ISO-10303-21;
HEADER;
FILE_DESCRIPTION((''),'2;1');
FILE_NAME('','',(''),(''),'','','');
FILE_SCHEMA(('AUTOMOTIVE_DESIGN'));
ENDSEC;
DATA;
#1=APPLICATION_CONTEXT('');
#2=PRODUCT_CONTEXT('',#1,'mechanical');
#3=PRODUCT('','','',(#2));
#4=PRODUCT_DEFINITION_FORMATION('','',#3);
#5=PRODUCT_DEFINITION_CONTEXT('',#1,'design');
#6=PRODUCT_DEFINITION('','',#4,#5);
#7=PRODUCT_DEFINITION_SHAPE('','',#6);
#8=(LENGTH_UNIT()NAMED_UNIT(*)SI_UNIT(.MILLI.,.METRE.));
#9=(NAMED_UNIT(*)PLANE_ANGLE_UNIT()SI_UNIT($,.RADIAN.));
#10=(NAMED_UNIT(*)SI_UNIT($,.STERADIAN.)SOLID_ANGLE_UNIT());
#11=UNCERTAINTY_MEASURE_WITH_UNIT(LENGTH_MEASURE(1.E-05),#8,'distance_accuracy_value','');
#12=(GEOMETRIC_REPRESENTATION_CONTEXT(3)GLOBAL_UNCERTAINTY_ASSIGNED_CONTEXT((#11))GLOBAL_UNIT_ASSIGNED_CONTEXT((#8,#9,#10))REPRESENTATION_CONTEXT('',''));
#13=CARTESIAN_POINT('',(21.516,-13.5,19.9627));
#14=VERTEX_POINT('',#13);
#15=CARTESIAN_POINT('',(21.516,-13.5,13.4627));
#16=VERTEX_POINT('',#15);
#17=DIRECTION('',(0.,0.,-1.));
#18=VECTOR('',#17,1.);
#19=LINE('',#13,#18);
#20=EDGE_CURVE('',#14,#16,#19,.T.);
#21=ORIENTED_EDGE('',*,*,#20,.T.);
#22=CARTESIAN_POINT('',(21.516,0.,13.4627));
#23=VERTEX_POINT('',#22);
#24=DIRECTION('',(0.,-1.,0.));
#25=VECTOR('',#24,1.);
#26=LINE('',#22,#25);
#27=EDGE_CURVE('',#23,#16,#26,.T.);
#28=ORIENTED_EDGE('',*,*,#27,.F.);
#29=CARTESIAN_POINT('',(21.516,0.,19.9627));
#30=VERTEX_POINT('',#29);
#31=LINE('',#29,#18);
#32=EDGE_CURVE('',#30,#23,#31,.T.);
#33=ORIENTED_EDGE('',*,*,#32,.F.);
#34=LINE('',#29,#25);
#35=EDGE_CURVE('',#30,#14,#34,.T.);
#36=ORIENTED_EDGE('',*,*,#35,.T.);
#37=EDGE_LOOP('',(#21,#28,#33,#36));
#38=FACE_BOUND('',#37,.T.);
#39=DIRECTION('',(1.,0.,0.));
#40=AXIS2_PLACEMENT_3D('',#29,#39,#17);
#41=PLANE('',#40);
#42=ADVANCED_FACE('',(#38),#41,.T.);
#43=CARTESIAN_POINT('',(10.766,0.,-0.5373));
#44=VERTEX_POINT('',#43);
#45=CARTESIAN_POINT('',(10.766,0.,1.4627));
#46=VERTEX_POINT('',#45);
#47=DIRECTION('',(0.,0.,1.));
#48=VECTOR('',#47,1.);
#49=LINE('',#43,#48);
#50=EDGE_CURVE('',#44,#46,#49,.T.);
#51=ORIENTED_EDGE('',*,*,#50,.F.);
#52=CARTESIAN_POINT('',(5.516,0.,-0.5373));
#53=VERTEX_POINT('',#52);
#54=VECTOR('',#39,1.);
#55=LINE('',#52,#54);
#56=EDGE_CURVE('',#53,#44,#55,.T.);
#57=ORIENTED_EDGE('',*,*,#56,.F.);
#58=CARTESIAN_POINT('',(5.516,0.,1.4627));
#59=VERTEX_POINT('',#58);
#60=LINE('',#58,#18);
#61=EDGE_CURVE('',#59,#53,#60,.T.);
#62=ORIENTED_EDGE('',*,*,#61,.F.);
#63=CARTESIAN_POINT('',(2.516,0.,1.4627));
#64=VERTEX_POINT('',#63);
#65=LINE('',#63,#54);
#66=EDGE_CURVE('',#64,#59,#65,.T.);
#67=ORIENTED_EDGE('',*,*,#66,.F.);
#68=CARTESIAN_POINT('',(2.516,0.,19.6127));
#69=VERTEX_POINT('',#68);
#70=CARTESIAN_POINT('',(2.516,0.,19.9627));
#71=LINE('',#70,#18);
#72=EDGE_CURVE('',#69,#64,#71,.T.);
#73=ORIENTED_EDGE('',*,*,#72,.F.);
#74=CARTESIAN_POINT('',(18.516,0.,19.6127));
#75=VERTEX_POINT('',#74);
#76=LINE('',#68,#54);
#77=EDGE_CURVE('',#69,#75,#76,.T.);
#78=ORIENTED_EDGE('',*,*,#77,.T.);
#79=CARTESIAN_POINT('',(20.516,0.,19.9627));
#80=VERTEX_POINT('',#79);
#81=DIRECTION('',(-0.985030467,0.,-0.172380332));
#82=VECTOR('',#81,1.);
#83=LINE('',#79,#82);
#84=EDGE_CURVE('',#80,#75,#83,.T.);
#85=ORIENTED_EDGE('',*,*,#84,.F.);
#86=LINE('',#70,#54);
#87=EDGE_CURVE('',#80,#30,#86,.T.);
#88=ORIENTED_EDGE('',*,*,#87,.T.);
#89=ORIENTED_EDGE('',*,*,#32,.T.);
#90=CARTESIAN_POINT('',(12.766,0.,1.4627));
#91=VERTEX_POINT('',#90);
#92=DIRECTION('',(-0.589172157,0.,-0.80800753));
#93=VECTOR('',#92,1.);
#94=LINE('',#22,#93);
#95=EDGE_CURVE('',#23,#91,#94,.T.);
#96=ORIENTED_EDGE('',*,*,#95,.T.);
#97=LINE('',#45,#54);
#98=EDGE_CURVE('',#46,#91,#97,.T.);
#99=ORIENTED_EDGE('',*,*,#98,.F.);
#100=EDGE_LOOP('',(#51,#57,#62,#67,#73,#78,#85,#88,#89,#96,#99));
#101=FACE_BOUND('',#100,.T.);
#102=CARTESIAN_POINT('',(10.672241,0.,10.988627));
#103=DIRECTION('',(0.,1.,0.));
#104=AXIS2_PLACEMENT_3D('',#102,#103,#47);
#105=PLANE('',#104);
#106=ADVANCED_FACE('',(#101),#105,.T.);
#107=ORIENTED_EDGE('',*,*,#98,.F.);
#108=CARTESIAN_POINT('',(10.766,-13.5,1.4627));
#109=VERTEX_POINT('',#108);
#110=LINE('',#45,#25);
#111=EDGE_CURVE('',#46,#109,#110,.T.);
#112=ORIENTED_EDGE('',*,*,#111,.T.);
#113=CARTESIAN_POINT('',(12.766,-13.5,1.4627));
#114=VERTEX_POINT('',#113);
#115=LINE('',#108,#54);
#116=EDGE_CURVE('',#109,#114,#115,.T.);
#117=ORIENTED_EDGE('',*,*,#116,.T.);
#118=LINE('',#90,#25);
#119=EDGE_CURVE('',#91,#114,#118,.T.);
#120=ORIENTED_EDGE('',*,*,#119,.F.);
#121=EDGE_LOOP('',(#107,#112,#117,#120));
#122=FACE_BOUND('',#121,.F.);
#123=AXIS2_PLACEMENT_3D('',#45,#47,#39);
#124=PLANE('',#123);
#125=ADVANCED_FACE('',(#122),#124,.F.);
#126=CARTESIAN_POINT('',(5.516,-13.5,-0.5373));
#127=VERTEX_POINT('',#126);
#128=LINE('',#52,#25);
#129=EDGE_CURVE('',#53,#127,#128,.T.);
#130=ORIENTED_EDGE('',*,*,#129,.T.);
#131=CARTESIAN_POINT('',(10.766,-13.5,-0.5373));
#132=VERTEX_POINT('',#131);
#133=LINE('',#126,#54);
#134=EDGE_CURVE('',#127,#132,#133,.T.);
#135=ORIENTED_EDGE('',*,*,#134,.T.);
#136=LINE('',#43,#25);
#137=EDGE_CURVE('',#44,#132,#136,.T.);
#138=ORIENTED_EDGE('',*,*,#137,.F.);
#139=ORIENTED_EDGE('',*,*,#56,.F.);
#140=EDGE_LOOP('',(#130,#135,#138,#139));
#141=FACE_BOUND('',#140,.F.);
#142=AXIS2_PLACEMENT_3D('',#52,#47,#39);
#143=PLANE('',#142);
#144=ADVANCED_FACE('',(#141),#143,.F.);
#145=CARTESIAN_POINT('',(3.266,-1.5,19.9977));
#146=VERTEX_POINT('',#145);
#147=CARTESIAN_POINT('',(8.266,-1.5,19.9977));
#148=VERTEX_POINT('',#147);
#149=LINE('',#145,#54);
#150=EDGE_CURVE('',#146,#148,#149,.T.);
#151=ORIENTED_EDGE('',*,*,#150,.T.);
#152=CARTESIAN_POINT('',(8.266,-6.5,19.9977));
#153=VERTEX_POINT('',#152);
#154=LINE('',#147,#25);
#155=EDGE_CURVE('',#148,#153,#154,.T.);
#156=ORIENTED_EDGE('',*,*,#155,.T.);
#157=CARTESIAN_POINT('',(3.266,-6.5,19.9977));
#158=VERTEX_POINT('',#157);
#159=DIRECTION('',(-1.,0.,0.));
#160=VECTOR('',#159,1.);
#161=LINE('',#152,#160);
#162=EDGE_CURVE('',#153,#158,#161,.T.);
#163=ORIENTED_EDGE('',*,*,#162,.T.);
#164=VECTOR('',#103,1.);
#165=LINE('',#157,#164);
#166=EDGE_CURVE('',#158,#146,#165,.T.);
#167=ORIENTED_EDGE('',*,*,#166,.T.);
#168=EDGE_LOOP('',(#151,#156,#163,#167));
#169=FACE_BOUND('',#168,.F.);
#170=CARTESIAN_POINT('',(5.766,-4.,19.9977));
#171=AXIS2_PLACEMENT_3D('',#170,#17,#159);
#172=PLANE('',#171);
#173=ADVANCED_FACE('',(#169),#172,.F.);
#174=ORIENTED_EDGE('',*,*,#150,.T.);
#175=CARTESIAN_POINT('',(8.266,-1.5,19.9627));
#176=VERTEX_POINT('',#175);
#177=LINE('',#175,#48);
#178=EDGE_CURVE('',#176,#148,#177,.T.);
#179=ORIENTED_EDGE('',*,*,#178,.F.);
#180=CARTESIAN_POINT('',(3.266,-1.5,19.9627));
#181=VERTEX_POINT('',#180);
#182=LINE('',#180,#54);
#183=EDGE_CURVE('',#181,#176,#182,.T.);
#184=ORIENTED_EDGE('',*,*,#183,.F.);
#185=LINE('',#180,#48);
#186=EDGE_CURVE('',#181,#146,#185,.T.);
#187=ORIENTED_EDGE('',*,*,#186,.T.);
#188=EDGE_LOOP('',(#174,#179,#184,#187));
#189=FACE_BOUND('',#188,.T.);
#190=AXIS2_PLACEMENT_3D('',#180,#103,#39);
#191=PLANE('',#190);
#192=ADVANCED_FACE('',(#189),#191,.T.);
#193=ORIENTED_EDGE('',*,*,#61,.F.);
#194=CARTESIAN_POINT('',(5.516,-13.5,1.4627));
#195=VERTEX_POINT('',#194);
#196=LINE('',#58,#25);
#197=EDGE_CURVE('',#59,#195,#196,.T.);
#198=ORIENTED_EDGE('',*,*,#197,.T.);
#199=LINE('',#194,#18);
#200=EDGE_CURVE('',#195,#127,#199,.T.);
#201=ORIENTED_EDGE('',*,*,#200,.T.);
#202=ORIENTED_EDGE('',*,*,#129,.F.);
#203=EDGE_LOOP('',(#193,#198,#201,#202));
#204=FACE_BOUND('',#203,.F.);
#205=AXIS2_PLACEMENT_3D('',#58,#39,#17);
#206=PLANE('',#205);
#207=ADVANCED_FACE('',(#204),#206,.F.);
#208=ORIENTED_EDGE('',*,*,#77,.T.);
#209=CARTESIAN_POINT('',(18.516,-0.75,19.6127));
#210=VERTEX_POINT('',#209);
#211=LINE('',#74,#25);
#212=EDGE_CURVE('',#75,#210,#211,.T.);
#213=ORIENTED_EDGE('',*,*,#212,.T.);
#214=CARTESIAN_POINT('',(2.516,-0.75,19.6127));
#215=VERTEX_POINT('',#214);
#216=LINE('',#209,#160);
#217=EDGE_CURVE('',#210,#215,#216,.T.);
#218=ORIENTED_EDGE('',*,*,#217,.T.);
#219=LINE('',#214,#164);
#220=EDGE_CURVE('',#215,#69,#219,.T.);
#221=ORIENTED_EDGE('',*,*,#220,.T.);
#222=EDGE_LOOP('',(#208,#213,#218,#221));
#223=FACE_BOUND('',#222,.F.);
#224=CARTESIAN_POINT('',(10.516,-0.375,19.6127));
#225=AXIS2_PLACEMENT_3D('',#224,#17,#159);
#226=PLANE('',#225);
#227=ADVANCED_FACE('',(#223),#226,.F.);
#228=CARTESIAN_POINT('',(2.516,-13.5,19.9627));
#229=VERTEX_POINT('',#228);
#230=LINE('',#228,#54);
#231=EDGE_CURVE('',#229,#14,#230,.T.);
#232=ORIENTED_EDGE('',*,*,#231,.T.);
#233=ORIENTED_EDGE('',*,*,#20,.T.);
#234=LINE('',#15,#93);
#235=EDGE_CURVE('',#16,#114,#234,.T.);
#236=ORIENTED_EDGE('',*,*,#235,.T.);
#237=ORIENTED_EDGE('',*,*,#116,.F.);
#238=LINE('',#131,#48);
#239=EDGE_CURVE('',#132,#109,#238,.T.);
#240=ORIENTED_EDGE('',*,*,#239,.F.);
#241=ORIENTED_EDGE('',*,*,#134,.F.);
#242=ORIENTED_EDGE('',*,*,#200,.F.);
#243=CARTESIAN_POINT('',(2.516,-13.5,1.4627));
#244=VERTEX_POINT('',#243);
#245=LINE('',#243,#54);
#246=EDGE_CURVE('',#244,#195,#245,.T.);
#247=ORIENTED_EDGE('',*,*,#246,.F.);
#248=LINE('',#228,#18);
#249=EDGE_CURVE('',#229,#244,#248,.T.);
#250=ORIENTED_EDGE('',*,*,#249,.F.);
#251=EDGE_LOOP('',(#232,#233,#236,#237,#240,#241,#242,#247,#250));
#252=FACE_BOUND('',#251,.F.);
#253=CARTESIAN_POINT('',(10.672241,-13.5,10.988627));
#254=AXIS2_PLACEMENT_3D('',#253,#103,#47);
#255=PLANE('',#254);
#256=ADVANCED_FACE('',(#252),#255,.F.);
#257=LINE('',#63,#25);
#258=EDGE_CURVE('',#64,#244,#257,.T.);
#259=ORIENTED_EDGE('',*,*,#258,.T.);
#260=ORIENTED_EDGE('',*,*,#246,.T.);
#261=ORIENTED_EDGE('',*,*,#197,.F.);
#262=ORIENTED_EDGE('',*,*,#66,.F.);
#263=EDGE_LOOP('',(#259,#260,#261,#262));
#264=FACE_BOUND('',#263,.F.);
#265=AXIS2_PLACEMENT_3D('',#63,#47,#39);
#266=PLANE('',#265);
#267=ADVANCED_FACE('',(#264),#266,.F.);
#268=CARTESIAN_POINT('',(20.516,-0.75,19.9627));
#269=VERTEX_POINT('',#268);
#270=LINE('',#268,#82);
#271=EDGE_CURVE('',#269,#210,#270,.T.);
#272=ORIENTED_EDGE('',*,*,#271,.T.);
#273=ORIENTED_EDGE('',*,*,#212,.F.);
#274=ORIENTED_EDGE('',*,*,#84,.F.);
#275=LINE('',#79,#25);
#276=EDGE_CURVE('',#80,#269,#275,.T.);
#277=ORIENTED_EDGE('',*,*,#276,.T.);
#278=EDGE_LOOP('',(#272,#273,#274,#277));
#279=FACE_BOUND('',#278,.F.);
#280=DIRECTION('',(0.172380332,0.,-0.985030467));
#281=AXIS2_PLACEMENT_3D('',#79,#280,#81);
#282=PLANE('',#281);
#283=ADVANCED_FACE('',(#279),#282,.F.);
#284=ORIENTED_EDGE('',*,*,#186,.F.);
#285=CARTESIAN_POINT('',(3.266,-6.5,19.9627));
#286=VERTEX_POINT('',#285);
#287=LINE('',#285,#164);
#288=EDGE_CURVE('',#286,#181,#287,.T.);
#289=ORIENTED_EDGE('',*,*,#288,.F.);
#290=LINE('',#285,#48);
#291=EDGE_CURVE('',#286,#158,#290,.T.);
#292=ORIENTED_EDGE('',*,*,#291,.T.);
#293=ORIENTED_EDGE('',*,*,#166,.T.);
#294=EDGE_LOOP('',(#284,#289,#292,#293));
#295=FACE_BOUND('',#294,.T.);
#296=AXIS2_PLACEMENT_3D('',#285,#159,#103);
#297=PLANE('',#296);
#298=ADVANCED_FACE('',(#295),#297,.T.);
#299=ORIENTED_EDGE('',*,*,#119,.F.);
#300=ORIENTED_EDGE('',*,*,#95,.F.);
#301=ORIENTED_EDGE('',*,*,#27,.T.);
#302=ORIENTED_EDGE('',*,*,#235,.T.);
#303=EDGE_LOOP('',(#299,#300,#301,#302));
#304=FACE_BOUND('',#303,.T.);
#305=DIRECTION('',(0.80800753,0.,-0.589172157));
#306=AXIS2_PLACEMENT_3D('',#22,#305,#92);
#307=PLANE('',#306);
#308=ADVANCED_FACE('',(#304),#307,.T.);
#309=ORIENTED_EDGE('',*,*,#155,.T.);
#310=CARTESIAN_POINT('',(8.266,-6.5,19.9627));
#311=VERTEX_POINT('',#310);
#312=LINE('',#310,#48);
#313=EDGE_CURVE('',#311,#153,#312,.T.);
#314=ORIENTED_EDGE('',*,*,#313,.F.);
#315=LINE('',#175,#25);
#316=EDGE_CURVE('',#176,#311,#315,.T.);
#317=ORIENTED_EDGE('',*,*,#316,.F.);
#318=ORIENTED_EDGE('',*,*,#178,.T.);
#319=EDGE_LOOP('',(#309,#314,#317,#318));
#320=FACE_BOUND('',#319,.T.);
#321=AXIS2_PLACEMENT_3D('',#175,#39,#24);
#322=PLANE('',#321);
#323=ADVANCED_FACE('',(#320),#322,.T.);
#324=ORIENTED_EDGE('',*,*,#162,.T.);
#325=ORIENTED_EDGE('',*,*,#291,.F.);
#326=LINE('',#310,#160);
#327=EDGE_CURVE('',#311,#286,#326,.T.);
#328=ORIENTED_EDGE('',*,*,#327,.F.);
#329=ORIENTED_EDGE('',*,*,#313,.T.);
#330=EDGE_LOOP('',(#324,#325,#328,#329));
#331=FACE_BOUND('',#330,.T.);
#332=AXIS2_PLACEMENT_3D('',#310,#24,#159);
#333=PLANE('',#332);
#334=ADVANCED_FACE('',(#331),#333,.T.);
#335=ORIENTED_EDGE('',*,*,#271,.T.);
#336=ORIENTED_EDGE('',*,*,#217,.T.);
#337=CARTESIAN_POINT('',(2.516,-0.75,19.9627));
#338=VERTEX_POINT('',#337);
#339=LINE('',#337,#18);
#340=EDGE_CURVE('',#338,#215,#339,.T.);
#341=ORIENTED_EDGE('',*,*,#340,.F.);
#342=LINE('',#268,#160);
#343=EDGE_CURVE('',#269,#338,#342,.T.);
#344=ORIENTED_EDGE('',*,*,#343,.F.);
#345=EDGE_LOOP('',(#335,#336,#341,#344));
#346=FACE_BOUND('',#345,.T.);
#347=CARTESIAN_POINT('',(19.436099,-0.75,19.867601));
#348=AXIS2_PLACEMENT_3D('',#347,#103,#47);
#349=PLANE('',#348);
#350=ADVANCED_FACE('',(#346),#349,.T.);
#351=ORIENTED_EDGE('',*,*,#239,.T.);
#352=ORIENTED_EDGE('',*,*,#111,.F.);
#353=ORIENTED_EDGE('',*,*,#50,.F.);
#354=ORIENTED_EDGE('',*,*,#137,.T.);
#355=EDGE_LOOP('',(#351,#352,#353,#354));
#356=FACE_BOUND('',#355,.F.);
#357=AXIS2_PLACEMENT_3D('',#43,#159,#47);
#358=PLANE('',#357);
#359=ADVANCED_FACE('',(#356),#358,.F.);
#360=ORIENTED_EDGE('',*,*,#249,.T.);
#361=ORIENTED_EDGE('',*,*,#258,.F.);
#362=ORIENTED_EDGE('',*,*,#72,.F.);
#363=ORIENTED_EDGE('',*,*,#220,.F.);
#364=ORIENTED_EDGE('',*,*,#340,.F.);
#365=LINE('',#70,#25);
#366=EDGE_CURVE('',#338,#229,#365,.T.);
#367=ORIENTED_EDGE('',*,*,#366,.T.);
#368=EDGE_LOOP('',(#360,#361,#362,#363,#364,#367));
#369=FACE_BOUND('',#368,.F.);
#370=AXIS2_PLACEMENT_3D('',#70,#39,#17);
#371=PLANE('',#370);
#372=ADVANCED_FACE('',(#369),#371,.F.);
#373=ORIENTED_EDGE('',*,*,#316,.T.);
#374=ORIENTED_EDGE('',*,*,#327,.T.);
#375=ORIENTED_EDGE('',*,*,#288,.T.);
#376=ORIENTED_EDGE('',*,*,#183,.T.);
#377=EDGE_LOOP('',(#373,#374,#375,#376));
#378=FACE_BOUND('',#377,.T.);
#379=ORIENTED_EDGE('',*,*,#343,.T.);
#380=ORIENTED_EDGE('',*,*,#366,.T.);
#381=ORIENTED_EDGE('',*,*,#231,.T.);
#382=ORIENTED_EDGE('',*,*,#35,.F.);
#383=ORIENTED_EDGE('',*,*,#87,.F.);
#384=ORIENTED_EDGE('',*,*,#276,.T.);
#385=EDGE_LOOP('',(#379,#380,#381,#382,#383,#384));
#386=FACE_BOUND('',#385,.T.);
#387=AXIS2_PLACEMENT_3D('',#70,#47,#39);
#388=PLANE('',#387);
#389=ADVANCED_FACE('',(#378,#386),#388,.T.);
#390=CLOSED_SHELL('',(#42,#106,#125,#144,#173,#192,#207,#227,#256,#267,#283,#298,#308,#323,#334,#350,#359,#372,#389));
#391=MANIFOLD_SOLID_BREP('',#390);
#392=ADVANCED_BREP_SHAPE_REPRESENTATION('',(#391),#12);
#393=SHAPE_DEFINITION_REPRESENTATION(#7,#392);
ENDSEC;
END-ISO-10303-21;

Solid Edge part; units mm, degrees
sketch "Sketch1" plane through (33.766, 0, 12.7127) normal (0, -1, 0) x (1, 0, 0)
  line L0 (-12.25, 0.75) -> (-21, -11.25)
  line L1 (-12.25, 7.25) -> (-12.25, 0.75)
  line L2 (-31.25, 7.25) -> (-12.25, 7.25)
  line L3 (-31.25, 7.25) -> (-31.25, -11.25)
  line L4 (-31.25, -11.25) -> (-28.25, -11.25)
  line L5 (-28.25, -11.25) -> (-28.25, -13.25)
  line L6 (-28.25, -13.25) -> (-23, -13.25)
  line L7 (-23, -13.25) -> (-23, -11.25)
  line L8 (-23, -11.25) -> (-21, -11.25)
extrude "Protrusion1" add sketch "Sketch1" along normal blind 13.5
sketch "Sketch2" plane through (12.016, -6.75, 19.9627) normal (0, 0, 1) x (1, 0, 0)
  line L0 (-9.5, 6.75) -> (6.5, 6.75)
  line L1 (6.5, 6.75) -> (6.5, 6)
  line L2 (6.5, 6) -> (-9.5, 6)
  line L3 (-9.5, 6) -> (-9.5, 6.75)
extrude "ExtrudedCutout_1" cut sketch "Sketch2" against normal blind 0.35
sketch "Sketch3" plane through (12.016, 0, 9.7127) normal (0, 1, 0) x (-1, 0, 0)
  line L0 (-8.5, 10.25) -> (-6.5, 9.9)
  line L1 (-6.5, 9.9) -> (-6.5, 10.25)
  line L2 (-6.5, 10.25) -> (-8.5, 10.25)
extrude "ExtrudedCutout_2" cut sketch "Sketch3" against normal blind 0.75
sketch "Sketch4" plane through (12.016, -6.75, 19.9627) normal (0, 0, 1) x (0, -1, 0)
  line L0 (-5.25, -8.75) -> (-5.25, -3.75)
  line L1 (-5.25, -3.75) -> (-0.25, -3.75)
  line L2 (-0.25, -3.75) -> (-0.25, -8.75)
  line L3 (-0.25, -8.75) -> (-5.25, -8.75)
extrude "ExtrudedProtrusion_2" add sketch "Sketch4" along normal blind 0.035
properties material "Stainless Steel, 420"
